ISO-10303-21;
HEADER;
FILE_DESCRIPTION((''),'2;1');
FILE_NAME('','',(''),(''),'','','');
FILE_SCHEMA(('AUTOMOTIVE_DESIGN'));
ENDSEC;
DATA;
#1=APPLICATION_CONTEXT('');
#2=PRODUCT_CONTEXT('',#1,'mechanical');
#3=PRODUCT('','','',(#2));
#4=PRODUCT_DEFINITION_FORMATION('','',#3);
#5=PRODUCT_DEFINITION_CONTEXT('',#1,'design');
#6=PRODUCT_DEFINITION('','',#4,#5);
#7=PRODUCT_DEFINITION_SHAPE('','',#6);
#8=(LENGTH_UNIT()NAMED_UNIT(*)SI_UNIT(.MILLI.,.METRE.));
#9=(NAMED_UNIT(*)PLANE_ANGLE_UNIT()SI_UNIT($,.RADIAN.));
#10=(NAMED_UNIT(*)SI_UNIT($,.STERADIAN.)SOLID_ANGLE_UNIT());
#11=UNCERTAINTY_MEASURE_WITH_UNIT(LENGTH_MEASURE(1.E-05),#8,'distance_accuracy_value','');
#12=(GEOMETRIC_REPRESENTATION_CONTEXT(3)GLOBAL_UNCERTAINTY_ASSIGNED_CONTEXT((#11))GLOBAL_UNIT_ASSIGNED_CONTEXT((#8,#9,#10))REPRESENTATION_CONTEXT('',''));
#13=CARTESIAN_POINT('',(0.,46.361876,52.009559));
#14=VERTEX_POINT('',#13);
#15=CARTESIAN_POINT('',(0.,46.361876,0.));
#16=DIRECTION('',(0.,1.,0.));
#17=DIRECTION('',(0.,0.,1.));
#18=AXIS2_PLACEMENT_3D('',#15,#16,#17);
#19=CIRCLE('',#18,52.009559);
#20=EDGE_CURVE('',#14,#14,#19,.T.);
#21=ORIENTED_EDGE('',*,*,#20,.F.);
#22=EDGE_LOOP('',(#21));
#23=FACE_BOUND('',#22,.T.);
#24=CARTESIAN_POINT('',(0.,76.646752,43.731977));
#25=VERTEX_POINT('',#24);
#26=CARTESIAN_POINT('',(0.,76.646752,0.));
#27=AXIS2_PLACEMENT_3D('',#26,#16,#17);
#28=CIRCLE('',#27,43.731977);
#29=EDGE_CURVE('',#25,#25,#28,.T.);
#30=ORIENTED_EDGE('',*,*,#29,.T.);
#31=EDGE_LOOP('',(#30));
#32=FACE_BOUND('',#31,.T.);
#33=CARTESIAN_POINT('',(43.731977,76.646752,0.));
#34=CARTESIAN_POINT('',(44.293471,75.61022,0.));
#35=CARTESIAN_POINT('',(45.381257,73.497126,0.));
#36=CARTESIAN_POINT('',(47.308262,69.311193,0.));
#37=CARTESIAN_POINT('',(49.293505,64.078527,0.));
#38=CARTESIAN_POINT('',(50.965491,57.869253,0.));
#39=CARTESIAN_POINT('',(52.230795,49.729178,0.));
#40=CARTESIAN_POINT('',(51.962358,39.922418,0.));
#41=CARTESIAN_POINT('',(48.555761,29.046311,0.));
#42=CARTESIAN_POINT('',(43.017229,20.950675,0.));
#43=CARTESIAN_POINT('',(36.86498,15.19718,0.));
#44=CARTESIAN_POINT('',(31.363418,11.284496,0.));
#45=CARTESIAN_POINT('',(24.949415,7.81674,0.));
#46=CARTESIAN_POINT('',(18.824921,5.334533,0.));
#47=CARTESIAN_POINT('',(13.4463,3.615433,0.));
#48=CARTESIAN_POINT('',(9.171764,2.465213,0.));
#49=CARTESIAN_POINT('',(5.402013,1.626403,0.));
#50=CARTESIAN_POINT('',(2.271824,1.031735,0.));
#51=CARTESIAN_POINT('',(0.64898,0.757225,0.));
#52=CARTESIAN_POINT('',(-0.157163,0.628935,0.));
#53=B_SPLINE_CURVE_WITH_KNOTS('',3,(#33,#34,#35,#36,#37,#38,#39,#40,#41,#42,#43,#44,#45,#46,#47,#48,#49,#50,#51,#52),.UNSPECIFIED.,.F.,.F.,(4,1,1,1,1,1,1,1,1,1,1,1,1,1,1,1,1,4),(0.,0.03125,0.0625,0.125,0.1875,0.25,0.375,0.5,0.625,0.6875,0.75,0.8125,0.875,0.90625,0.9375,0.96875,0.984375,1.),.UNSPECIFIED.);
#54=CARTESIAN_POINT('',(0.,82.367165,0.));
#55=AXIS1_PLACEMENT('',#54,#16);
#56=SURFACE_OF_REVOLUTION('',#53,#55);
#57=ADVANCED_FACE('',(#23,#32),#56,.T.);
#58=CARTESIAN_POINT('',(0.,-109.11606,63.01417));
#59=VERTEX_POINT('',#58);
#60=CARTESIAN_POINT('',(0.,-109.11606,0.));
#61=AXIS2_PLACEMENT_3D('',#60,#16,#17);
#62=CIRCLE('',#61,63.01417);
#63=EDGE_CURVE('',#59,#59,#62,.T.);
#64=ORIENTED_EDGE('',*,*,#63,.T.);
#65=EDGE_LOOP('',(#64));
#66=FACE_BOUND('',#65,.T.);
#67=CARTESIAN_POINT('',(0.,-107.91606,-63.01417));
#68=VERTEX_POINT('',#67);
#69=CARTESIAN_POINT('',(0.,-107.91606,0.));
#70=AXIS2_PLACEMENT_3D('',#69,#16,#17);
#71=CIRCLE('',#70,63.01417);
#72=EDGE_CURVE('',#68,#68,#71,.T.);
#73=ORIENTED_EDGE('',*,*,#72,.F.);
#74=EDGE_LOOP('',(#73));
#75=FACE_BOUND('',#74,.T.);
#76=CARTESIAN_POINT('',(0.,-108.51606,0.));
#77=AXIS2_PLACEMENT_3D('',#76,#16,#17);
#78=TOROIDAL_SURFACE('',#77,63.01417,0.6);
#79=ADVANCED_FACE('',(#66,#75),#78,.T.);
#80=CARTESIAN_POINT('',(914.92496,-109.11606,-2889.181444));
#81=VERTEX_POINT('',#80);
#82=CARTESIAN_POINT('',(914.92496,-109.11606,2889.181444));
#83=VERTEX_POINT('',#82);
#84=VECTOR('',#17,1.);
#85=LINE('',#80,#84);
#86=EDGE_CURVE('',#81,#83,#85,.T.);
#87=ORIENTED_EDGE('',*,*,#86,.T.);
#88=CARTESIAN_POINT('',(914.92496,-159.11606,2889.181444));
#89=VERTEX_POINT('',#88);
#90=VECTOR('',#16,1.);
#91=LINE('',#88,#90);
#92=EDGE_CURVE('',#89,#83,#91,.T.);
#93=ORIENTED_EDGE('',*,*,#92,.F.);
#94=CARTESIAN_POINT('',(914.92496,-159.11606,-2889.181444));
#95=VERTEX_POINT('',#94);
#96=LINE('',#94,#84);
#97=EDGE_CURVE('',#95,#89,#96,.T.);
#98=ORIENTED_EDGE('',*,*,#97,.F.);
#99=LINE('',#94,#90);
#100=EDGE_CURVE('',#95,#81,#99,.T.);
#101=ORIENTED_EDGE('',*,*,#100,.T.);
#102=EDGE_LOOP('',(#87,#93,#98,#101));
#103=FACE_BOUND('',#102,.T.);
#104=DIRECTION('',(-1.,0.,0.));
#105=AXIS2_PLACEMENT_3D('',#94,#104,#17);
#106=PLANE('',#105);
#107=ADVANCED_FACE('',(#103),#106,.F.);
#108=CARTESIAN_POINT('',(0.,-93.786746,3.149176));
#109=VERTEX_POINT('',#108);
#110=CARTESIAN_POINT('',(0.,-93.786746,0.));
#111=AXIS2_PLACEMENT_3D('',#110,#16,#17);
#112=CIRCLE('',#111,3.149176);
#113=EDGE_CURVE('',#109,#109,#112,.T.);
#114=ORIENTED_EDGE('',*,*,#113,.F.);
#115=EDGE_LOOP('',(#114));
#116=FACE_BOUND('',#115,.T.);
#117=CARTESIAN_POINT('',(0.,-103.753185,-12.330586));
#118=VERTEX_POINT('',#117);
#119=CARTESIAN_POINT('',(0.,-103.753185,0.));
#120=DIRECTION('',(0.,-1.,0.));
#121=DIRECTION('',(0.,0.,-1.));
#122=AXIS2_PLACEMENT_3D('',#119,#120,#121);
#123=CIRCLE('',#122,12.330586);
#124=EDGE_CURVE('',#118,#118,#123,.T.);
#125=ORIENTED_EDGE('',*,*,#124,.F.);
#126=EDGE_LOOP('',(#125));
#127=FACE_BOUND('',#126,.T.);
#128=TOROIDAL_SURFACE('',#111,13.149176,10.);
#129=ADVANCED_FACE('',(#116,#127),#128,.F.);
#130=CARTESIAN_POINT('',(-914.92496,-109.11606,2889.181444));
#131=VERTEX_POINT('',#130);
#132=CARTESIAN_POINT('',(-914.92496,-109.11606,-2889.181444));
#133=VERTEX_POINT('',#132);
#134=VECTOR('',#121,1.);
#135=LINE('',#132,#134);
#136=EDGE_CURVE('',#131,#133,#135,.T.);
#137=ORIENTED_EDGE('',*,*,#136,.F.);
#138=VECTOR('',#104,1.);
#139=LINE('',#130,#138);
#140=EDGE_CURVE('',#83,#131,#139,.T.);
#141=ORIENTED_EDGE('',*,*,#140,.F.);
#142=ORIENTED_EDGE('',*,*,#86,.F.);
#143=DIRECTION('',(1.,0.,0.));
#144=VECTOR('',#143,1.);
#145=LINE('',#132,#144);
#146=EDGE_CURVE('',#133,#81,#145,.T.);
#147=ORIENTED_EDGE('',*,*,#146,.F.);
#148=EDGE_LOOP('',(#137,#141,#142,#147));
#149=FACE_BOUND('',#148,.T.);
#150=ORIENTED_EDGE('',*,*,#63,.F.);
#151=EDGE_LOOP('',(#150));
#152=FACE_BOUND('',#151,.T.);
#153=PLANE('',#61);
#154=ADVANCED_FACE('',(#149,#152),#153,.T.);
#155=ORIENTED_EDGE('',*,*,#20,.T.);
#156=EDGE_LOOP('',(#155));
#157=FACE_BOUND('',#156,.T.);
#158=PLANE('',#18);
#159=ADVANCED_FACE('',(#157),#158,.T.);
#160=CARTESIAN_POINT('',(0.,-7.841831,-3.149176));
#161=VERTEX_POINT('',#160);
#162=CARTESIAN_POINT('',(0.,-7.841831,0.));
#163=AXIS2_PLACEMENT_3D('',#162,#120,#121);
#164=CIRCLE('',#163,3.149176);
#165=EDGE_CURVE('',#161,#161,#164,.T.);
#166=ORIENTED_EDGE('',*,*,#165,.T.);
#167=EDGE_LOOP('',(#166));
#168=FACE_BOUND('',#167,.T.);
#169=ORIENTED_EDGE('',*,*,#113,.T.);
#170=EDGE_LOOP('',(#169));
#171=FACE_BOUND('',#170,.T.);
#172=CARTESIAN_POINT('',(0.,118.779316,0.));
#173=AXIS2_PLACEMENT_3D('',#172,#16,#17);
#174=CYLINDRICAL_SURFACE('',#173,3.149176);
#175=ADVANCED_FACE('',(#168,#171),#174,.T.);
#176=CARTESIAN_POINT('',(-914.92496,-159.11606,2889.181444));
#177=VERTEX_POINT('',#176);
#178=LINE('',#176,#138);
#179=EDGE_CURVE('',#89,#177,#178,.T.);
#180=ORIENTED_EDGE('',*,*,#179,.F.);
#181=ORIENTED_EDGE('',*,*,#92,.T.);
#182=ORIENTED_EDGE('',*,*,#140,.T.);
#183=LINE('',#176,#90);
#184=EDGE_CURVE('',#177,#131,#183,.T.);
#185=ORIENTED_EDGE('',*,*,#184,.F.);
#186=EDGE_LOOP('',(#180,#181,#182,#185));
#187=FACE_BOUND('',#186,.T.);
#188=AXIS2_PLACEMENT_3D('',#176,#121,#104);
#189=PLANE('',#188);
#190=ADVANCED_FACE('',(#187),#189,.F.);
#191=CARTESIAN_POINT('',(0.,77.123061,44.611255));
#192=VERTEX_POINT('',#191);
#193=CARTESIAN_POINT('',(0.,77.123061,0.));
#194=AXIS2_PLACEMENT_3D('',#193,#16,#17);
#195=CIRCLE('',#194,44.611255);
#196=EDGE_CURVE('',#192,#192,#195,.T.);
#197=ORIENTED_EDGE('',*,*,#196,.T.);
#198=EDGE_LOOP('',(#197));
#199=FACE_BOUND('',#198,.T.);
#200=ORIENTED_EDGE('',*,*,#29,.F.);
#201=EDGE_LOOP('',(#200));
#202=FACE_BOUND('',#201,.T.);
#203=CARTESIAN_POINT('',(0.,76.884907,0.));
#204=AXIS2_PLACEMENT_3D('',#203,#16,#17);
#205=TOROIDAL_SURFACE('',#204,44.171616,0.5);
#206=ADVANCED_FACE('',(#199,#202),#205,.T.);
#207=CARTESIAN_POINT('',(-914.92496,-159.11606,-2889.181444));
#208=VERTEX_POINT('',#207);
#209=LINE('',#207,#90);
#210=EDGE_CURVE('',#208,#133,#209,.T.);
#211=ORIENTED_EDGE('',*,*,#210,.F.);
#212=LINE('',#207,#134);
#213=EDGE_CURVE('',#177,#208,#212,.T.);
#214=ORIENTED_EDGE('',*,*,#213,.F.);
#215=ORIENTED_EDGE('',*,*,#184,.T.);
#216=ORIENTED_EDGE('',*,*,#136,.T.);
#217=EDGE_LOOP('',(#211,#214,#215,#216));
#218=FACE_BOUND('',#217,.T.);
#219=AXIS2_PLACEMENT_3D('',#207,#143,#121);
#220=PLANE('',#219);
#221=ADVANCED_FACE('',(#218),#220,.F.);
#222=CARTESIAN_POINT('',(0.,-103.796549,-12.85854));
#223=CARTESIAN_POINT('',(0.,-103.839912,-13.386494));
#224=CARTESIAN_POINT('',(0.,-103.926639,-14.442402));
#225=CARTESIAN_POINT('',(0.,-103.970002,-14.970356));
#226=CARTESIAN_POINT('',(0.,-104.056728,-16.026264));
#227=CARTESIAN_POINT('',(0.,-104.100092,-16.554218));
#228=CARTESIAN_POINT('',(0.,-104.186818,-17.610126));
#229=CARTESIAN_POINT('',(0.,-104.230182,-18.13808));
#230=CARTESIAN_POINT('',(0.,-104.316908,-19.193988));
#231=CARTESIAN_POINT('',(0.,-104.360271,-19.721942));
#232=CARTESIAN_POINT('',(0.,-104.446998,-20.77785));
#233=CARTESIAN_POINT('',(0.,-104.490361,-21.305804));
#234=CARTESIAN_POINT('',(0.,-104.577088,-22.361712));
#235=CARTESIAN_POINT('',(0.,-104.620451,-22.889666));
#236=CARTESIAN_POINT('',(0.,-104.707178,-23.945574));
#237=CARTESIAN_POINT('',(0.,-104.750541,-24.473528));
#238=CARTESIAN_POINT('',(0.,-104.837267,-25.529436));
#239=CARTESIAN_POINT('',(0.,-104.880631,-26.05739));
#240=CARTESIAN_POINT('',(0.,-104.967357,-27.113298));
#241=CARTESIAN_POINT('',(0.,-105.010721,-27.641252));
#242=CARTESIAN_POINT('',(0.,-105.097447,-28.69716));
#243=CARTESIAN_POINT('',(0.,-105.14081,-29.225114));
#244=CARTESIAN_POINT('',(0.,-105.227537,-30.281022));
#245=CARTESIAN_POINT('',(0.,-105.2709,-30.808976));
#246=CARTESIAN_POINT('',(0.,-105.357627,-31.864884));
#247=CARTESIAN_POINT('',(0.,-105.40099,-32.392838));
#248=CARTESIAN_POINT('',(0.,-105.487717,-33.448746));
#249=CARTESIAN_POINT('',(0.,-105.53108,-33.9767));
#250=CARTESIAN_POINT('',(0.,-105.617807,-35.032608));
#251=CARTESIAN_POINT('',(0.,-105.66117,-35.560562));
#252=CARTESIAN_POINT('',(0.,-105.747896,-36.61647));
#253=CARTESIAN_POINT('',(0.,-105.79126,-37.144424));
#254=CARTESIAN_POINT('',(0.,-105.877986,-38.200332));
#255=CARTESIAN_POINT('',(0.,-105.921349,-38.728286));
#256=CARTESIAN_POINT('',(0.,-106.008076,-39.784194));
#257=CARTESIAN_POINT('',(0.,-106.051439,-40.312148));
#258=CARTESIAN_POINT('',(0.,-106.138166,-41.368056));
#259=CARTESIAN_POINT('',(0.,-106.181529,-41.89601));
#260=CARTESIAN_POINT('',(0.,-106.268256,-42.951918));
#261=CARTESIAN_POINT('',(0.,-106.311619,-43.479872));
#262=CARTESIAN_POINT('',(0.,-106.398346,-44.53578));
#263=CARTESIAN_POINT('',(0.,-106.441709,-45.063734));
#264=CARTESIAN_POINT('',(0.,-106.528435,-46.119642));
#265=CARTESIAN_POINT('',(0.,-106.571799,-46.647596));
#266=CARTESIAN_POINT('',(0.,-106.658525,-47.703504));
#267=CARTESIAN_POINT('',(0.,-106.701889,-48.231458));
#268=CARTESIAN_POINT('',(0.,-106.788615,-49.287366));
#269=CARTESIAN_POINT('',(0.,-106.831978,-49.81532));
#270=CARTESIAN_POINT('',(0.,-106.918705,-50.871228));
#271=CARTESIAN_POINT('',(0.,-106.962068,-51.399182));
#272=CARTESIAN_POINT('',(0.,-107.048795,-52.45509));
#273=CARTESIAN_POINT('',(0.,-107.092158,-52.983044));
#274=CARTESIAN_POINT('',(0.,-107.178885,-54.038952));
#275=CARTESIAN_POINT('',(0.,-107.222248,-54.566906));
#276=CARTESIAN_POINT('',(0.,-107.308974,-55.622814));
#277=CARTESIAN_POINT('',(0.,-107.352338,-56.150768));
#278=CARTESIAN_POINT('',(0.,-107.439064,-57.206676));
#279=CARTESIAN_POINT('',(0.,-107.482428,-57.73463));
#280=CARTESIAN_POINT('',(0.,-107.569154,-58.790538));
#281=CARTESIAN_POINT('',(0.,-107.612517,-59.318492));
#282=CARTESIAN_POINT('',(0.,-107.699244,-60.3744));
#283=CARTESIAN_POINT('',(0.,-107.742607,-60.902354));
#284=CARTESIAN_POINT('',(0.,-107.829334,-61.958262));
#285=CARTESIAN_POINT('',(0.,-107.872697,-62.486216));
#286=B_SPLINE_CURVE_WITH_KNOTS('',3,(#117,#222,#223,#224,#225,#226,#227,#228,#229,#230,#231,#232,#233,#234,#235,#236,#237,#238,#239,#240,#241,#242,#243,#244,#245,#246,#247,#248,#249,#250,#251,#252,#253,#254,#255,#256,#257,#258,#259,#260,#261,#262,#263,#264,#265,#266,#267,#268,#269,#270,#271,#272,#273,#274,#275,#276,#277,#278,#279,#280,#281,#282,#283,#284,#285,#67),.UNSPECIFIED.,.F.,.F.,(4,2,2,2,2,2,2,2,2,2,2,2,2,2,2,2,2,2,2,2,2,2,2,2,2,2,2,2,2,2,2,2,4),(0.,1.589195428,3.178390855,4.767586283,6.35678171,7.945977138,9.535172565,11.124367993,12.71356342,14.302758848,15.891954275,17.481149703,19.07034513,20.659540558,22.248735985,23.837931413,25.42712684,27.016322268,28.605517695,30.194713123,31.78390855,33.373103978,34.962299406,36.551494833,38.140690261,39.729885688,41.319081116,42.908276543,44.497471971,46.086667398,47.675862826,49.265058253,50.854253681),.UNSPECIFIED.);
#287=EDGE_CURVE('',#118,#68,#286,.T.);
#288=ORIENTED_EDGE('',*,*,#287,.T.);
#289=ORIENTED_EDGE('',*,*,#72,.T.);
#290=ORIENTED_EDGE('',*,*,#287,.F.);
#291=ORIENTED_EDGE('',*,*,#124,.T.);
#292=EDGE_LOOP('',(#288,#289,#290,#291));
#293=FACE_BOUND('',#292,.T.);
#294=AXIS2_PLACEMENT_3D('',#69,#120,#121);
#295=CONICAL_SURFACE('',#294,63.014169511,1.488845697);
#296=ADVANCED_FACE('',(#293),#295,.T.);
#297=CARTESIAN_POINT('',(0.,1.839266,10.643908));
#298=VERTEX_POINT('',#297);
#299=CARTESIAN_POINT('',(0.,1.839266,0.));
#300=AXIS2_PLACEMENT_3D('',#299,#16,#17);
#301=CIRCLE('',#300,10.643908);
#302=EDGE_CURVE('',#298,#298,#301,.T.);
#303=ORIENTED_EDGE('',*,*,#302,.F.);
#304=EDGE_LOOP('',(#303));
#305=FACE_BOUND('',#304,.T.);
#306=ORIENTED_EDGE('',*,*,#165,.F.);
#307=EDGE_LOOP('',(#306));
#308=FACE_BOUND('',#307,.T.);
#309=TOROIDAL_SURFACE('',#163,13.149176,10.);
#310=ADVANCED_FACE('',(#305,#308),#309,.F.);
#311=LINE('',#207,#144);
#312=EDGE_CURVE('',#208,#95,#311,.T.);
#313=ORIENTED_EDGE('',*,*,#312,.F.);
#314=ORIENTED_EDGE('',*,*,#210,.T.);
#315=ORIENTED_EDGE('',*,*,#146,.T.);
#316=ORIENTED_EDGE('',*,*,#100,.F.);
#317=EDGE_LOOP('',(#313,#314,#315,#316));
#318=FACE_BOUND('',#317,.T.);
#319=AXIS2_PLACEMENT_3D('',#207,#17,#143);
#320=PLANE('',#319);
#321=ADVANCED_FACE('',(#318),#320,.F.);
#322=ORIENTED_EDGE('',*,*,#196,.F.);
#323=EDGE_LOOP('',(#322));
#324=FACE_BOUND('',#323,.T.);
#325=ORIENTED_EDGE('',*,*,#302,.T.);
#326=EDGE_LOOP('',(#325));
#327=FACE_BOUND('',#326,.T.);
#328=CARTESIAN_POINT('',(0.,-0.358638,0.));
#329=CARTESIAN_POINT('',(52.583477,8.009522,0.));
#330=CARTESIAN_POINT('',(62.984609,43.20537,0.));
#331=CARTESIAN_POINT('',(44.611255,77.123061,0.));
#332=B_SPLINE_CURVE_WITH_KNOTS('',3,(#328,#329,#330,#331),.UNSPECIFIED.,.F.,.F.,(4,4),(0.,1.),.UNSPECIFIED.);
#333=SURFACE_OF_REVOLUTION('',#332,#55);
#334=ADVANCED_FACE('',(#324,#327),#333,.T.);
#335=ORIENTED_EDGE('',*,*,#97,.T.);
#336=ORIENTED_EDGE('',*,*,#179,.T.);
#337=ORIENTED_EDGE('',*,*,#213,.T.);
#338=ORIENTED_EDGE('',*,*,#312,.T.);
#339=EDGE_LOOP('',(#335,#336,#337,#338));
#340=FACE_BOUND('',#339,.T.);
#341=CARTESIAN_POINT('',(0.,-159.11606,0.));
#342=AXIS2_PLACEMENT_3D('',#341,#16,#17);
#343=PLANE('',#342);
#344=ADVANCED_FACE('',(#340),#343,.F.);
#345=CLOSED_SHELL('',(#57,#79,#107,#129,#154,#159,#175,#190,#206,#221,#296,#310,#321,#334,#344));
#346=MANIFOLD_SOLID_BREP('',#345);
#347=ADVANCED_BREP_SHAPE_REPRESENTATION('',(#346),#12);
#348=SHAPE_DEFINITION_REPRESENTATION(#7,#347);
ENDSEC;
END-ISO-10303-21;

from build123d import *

# Parameters (mm, degrees)
VERRUNDUNG1_R                   = 10
VERRUNDUNG2_R                   = 10
AUFSATZ_LINEAR_AUSTRAGEN7_REACH = 181.63
SKIZZE17_R                      = 52.009559
SKIZZE12_W                      = 1829.84992
SKIZZE12_H                      = 5778.362888
AUFSATZ_LINEAR_AUSTRAGEN2_DEPTH = 50


with BuildPart() as part:
    # Skizze1 → Rotation1 (revolve)
    with BuildSketch(Plane.XY, mode=Mode.PRIVATE) as rotation1_sk:
        with BuildLine():
            Line((0, -0.358638), (0, 0.654047))
            add(Edge.make_bspline(
                [(43.731977, 76.646752), (44.293471, 75.61022), (45.381257, 73.497126), (47.308262, 69.311193), (49.293505, 64.078527), (50.965491, 57.869253), (52.230795, 49.729178), (51.962358, 39.922418), (48.555761, 29.046311), (43.017229, 20.950675), (36.86498, 15.19718), (31.363418, 11.284496), (24.949415, 7.81674), (18.824921, 5.334533), (13.4463, 3.615433), (9.171764, 2.465213), (5.402013, 1.626403), (2.322658, 1.041392), (0.754339, 0.775081), (0, 0.654047)],
                knots=[0, 0, 0, 0, 0.03125, 0.0625, 0.125, 0.1875, 0.25, 0.375, 0.5, 0.625, 0.6875, 0.75, 0.8125, 0.875, 0.90625, 0.9375, 0.96875, 0.984375, 0.998985, 0.998985, 0.998985, 0.998985], degree=3))
            ThreePointArc((43.731977, 76.646752), (43.933462, 77.324546), (44.611255, 77.123061))
            add(Edge.make_bspline(
                [(44.611255, 77.123061), (62.984609, 43.20537), (52.583477, 8.009522), (0, -0.358638)],
                knots=[0, 0, 0, 0, 1, 1, 1, 1], degree=3))
        make_face()
    revolve(rotation1_sk.sketch.rotate(Axis((0, 82.367165, 0), (0, -1, 0)), 90), axis=Axis((0, 82.367165, 0), (0, -1, 0)))

    # Skizze2 → Rotation2 (revolve)
    with BuildSketch(Plane.XY, mode=Mode.PRIVATE) as rotation2_sk:
        with BuildLine():
            Line((3.149176, 0.183706), (3.149176, -102.999074))
            Line((3.149176, -102.999074), (63.01417, -107.91606))
            ThreePointArc((63.01417, -107.91606), (63.61417, -108.51606), (63.01417, -109.11606))
            Line((63.01417, -109.11606), (0, -109.11606))
            Line((0, -109.11606), (0, -0.358638))
            add(Edge.make_bspline(
                [(0, -0.358638), (1.067058, -0.188826), (2.116746, -0.007966), (3.149176, 0.183706)],
                knots=[0, 0, 0, 0, 0.020293, 0.020293, 0.020293, 0.020293], degree=3))
        make_face()
    revolve(rotation2_sk.sketch.rotate(Axis((0, 118.779316, 0), (0, -1, 0)), 90), axis=Axis((0, 118.779316, 0), (0, -1, 0)))

    # Verrundung1
    verrundung1_edges = [part.edges().sort_by_distance(p)[0] for p in [
        (0, -102.999074, -3.149176),
    ]]
    fillet(verrundung1_edges, radius=VERRUNDUNG1_R)

    # Verrundung2
    verrundung2_edges = [part.edges().sort_by_distance(p)[0] for p in [
        (0, 0.183706, -3.149176),
    ]]
    fillet(verrundung2_edges, radius=VERRUNDUNG2_R)

    # Skizze17 → Aufsatz-Linear austragen7 (add, up to next)
    with BuildSketch(Plane(origin=(0, 46.361876, 0), x_dir=(1, 0, 0), z_dir=(0, 1, 0)), mode=Mode.PRIVATE) as aufsatz_linear_austragen7_sk1:
        Circle(SKIZZE17_R)
    aufsatz_linear_austragen7_tool1 = extrude(aufsatz_linear_austragen7_sk1.sketch, amount=-AUFSATZ_LINEAR_AUSTRAGEN7_REACH, mode=Mode.PRIVATE) - part.part
    add(aufsatz_linear_austragen7_tool1.solids().sort_by_distance((0, 46.361876, 0))[0])

    # Skizze12 → Aufsatz-Linear austragen2 (add)
    with BuildSketch(Plane.XZ.offset(109.11606)):
        Rectangle(SKIZZE12_W, SKIZZE12_H)
    extrude(amount=AUFSATZ_LINEAR_AUSTRAGEN2_DEPTH)


solid = part.part
